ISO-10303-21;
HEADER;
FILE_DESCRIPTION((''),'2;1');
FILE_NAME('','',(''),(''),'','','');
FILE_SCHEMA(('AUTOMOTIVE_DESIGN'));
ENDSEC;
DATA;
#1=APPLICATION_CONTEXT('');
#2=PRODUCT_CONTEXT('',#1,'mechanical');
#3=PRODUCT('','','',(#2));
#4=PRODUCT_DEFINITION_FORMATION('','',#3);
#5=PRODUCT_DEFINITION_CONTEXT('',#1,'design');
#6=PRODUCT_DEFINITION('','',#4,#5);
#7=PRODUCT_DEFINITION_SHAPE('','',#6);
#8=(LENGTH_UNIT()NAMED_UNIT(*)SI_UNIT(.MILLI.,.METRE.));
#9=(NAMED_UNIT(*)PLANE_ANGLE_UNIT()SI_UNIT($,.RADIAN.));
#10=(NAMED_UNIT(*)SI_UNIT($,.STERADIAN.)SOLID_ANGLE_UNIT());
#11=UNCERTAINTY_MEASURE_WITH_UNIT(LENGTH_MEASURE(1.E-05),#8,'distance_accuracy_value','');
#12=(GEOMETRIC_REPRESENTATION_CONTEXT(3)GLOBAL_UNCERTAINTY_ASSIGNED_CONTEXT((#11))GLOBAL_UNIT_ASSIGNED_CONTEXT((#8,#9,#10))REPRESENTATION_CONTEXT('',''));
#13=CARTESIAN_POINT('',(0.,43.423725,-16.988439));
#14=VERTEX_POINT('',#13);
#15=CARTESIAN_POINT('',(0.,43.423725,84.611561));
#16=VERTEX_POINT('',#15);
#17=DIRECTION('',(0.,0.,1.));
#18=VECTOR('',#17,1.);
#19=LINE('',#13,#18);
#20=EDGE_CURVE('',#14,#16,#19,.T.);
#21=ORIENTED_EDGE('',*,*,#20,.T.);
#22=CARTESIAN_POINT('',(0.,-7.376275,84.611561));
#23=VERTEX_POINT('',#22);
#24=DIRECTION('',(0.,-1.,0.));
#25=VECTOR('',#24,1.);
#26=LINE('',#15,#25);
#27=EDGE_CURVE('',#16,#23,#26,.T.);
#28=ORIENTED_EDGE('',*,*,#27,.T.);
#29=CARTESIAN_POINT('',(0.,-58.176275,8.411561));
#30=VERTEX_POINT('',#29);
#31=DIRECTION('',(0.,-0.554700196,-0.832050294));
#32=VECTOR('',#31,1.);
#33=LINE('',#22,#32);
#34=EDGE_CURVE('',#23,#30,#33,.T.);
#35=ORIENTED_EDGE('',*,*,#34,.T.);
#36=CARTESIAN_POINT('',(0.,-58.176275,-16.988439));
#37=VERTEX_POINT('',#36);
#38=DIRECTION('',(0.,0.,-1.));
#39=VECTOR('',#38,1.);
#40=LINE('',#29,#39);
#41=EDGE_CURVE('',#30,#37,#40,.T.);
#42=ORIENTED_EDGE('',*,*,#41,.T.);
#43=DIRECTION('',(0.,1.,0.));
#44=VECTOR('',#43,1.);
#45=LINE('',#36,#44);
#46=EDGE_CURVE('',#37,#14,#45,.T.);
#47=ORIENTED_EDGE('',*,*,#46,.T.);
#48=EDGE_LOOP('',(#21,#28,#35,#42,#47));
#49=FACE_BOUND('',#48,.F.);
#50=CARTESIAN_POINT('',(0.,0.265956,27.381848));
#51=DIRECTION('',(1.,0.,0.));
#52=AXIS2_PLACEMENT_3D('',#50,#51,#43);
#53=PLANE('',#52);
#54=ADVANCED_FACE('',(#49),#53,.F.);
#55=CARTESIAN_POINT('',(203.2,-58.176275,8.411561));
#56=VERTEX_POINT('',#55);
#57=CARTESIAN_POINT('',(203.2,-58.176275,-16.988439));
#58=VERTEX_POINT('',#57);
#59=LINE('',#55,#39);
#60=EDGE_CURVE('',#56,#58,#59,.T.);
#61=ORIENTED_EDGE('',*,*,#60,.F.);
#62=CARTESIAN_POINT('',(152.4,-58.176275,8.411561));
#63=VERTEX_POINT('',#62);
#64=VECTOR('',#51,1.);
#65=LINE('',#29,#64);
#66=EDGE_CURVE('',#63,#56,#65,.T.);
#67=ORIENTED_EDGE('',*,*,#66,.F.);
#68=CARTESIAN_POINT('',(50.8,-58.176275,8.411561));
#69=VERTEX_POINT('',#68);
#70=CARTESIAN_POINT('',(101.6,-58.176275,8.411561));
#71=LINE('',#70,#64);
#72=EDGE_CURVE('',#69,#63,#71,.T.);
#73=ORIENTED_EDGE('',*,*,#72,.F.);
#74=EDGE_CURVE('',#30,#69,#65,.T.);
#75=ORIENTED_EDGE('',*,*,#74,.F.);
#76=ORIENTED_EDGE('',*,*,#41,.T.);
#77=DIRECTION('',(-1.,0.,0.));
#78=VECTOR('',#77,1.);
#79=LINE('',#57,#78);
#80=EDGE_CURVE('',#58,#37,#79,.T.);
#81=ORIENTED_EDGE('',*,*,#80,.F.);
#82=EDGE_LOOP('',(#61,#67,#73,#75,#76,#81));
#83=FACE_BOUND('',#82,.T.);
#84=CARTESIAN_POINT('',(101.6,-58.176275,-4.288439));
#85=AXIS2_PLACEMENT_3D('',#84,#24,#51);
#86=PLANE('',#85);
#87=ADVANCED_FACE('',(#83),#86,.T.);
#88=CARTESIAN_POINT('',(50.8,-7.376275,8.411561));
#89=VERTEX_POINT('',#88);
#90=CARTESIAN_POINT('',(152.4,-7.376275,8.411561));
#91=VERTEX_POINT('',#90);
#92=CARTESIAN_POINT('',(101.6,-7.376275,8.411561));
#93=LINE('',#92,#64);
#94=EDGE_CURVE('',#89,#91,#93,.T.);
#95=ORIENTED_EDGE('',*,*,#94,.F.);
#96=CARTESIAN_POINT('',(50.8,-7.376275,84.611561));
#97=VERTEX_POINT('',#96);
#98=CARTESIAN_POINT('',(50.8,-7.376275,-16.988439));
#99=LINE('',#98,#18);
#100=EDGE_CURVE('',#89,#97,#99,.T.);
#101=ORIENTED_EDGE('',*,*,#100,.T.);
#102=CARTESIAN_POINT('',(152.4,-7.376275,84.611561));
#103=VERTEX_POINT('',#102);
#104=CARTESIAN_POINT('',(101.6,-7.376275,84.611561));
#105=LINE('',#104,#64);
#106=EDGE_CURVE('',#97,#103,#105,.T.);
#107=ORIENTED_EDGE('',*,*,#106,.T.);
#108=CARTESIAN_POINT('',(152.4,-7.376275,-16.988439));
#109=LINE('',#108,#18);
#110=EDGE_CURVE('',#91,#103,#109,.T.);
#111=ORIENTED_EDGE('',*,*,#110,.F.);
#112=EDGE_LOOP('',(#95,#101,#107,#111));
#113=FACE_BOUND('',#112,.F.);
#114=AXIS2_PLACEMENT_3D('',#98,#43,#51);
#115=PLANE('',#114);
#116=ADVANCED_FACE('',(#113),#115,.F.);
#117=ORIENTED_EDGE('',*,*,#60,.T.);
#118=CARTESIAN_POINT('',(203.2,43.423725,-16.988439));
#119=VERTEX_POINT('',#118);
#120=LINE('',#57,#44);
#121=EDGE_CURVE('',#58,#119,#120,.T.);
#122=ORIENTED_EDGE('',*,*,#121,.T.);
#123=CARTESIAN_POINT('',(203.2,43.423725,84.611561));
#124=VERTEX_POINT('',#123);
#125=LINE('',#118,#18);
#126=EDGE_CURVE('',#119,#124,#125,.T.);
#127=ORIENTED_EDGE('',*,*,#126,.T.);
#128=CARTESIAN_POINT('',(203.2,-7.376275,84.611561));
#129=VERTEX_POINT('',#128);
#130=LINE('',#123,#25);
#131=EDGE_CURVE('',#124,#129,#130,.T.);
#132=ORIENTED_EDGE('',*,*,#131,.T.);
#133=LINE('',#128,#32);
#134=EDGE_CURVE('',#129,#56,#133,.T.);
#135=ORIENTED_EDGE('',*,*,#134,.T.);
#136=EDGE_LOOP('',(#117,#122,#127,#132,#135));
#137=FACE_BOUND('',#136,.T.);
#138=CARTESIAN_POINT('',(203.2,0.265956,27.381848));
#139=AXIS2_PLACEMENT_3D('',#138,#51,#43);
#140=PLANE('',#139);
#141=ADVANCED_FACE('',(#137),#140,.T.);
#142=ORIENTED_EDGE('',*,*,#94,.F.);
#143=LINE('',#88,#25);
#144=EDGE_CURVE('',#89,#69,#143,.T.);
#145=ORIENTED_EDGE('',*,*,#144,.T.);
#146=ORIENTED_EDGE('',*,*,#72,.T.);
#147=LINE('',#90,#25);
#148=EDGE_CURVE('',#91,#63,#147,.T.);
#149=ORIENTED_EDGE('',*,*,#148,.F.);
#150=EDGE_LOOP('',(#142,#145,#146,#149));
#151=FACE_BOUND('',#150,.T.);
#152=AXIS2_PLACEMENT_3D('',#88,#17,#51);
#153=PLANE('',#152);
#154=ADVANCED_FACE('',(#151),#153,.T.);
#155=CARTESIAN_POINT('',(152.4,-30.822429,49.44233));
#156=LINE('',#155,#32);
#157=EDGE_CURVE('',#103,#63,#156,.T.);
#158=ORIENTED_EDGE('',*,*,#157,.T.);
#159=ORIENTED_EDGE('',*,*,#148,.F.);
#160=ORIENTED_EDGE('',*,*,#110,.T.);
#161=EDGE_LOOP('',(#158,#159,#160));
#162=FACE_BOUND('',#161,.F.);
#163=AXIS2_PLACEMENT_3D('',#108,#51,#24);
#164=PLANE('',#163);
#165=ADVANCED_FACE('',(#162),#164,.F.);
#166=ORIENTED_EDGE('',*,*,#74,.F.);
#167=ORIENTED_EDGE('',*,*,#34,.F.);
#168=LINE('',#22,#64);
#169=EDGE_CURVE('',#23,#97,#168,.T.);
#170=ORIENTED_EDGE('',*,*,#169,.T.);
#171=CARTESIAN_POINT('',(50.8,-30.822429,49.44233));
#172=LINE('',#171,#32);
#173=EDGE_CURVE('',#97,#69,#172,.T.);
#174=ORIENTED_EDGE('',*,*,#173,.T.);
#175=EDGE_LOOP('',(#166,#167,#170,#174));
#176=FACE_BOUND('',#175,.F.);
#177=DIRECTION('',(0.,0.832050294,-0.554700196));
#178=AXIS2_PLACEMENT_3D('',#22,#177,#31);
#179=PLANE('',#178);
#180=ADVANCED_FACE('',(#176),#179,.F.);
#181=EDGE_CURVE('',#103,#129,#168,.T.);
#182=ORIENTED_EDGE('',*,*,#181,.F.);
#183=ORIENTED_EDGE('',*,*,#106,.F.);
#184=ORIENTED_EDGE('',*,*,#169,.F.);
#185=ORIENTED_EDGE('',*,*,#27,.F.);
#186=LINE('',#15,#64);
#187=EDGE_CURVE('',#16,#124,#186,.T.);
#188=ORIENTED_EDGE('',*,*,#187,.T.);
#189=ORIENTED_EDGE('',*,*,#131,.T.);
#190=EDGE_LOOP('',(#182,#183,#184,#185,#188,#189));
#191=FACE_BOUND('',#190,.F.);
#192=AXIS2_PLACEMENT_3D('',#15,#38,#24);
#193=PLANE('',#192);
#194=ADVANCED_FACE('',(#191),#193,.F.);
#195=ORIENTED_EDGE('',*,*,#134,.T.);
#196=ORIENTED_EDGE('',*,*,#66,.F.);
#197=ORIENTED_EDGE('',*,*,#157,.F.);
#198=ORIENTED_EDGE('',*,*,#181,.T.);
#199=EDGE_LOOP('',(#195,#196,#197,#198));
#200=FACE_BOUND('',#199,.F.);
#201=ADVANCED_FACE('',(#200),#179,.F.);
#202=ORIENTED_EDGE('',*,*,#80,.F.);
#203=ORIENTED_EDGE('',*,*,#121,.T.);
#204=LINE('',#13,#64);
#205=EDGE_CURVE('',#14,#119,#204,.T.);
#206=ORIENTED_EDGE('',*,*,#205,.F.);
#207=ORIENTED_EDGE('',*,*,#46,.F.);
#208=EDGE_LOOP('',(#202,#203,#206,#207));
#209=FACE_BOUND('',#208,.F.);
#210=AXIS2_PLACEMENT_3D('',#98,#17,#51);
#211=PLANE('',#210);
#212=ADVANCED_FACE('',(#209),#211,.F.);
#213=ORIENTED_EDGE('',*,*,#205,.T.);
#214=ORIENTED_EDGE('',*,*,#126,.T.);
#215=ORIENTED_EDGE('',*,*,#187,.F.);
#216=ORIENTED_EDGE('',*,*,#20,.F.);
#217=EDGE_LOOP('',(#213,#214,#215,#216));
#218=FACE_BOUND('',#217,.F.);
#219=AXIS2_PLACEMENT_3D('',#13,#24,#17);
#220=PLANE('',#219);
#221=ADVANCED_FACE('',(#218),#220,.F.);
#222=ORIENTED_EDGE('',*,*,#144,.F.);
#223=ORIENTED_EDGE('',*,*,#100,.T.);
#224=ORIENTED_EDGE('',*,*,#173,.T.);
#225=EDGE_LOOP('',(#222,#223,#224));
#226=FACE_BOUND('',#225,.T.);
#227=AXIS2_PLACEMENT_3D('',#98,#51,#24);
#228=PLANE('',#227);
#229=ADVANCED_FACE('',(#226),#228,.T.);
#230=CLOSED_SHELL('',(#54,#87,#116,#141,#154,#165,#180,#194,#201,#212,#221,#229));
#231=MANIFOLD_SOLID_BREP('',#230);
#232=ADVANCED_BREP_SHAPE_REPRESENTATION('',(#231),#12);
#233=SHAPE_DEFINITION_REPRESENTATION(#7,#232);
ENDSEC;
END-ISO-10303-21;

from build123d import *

# Parameters (mm, degrees)
F1_DEPTH = 203.2
F2_W     = 101.6
F2_H     = 50.8
F3_DEPTH = 101.6
F4_W     = 101.6
F4_H     = 25.4
F5_DEPTH = 50.8
F6_DEPTH = 50.8


with BuildPart() as f1:
    # F0 (on Right) → F1 (new body)
    with BuildSketch(Plane.YZ):
        Polygon((-58.176275, -16.988439), (43.423725, -16.988439), (43.423725, 84.611561), (-7.376275, 84.611561), (-58.176275, 8.411561), align=None)
    extrude(amount=F1_DEPTH)

    # F2 (on face) → F3 (cut)
    with BuildSketch(Plane(origin=(0, 0, -16.988439), x_dir=(1, 0, 0), z_dir=(0, 0, -1))):
        with Locations((101.6, 32.776275)):
            Rectangle(F2_W, F2_H)
    extrude(amount=-F3_DEPTH, mode=Mode.SUBTRACT)

    # F4 (on face) → F5 (join)
    with BuildSketch(Plane.XZ.offset(7.376275)):
        with Locations((101.6, -4.288439)):
            Rectangle(F4_W, F4_H)
    extrude(amount=F5_DEPTH)

    # F4 (on face) → F6 (join)
    with BuildSketch(Plane.XZ.offset(7.376275)):
        with Locations((101.6, -4.288439)):
            Rectangle(F4_W, F4_H)
    extrude(amount=F6_DEPTH)


solid = f1.part
